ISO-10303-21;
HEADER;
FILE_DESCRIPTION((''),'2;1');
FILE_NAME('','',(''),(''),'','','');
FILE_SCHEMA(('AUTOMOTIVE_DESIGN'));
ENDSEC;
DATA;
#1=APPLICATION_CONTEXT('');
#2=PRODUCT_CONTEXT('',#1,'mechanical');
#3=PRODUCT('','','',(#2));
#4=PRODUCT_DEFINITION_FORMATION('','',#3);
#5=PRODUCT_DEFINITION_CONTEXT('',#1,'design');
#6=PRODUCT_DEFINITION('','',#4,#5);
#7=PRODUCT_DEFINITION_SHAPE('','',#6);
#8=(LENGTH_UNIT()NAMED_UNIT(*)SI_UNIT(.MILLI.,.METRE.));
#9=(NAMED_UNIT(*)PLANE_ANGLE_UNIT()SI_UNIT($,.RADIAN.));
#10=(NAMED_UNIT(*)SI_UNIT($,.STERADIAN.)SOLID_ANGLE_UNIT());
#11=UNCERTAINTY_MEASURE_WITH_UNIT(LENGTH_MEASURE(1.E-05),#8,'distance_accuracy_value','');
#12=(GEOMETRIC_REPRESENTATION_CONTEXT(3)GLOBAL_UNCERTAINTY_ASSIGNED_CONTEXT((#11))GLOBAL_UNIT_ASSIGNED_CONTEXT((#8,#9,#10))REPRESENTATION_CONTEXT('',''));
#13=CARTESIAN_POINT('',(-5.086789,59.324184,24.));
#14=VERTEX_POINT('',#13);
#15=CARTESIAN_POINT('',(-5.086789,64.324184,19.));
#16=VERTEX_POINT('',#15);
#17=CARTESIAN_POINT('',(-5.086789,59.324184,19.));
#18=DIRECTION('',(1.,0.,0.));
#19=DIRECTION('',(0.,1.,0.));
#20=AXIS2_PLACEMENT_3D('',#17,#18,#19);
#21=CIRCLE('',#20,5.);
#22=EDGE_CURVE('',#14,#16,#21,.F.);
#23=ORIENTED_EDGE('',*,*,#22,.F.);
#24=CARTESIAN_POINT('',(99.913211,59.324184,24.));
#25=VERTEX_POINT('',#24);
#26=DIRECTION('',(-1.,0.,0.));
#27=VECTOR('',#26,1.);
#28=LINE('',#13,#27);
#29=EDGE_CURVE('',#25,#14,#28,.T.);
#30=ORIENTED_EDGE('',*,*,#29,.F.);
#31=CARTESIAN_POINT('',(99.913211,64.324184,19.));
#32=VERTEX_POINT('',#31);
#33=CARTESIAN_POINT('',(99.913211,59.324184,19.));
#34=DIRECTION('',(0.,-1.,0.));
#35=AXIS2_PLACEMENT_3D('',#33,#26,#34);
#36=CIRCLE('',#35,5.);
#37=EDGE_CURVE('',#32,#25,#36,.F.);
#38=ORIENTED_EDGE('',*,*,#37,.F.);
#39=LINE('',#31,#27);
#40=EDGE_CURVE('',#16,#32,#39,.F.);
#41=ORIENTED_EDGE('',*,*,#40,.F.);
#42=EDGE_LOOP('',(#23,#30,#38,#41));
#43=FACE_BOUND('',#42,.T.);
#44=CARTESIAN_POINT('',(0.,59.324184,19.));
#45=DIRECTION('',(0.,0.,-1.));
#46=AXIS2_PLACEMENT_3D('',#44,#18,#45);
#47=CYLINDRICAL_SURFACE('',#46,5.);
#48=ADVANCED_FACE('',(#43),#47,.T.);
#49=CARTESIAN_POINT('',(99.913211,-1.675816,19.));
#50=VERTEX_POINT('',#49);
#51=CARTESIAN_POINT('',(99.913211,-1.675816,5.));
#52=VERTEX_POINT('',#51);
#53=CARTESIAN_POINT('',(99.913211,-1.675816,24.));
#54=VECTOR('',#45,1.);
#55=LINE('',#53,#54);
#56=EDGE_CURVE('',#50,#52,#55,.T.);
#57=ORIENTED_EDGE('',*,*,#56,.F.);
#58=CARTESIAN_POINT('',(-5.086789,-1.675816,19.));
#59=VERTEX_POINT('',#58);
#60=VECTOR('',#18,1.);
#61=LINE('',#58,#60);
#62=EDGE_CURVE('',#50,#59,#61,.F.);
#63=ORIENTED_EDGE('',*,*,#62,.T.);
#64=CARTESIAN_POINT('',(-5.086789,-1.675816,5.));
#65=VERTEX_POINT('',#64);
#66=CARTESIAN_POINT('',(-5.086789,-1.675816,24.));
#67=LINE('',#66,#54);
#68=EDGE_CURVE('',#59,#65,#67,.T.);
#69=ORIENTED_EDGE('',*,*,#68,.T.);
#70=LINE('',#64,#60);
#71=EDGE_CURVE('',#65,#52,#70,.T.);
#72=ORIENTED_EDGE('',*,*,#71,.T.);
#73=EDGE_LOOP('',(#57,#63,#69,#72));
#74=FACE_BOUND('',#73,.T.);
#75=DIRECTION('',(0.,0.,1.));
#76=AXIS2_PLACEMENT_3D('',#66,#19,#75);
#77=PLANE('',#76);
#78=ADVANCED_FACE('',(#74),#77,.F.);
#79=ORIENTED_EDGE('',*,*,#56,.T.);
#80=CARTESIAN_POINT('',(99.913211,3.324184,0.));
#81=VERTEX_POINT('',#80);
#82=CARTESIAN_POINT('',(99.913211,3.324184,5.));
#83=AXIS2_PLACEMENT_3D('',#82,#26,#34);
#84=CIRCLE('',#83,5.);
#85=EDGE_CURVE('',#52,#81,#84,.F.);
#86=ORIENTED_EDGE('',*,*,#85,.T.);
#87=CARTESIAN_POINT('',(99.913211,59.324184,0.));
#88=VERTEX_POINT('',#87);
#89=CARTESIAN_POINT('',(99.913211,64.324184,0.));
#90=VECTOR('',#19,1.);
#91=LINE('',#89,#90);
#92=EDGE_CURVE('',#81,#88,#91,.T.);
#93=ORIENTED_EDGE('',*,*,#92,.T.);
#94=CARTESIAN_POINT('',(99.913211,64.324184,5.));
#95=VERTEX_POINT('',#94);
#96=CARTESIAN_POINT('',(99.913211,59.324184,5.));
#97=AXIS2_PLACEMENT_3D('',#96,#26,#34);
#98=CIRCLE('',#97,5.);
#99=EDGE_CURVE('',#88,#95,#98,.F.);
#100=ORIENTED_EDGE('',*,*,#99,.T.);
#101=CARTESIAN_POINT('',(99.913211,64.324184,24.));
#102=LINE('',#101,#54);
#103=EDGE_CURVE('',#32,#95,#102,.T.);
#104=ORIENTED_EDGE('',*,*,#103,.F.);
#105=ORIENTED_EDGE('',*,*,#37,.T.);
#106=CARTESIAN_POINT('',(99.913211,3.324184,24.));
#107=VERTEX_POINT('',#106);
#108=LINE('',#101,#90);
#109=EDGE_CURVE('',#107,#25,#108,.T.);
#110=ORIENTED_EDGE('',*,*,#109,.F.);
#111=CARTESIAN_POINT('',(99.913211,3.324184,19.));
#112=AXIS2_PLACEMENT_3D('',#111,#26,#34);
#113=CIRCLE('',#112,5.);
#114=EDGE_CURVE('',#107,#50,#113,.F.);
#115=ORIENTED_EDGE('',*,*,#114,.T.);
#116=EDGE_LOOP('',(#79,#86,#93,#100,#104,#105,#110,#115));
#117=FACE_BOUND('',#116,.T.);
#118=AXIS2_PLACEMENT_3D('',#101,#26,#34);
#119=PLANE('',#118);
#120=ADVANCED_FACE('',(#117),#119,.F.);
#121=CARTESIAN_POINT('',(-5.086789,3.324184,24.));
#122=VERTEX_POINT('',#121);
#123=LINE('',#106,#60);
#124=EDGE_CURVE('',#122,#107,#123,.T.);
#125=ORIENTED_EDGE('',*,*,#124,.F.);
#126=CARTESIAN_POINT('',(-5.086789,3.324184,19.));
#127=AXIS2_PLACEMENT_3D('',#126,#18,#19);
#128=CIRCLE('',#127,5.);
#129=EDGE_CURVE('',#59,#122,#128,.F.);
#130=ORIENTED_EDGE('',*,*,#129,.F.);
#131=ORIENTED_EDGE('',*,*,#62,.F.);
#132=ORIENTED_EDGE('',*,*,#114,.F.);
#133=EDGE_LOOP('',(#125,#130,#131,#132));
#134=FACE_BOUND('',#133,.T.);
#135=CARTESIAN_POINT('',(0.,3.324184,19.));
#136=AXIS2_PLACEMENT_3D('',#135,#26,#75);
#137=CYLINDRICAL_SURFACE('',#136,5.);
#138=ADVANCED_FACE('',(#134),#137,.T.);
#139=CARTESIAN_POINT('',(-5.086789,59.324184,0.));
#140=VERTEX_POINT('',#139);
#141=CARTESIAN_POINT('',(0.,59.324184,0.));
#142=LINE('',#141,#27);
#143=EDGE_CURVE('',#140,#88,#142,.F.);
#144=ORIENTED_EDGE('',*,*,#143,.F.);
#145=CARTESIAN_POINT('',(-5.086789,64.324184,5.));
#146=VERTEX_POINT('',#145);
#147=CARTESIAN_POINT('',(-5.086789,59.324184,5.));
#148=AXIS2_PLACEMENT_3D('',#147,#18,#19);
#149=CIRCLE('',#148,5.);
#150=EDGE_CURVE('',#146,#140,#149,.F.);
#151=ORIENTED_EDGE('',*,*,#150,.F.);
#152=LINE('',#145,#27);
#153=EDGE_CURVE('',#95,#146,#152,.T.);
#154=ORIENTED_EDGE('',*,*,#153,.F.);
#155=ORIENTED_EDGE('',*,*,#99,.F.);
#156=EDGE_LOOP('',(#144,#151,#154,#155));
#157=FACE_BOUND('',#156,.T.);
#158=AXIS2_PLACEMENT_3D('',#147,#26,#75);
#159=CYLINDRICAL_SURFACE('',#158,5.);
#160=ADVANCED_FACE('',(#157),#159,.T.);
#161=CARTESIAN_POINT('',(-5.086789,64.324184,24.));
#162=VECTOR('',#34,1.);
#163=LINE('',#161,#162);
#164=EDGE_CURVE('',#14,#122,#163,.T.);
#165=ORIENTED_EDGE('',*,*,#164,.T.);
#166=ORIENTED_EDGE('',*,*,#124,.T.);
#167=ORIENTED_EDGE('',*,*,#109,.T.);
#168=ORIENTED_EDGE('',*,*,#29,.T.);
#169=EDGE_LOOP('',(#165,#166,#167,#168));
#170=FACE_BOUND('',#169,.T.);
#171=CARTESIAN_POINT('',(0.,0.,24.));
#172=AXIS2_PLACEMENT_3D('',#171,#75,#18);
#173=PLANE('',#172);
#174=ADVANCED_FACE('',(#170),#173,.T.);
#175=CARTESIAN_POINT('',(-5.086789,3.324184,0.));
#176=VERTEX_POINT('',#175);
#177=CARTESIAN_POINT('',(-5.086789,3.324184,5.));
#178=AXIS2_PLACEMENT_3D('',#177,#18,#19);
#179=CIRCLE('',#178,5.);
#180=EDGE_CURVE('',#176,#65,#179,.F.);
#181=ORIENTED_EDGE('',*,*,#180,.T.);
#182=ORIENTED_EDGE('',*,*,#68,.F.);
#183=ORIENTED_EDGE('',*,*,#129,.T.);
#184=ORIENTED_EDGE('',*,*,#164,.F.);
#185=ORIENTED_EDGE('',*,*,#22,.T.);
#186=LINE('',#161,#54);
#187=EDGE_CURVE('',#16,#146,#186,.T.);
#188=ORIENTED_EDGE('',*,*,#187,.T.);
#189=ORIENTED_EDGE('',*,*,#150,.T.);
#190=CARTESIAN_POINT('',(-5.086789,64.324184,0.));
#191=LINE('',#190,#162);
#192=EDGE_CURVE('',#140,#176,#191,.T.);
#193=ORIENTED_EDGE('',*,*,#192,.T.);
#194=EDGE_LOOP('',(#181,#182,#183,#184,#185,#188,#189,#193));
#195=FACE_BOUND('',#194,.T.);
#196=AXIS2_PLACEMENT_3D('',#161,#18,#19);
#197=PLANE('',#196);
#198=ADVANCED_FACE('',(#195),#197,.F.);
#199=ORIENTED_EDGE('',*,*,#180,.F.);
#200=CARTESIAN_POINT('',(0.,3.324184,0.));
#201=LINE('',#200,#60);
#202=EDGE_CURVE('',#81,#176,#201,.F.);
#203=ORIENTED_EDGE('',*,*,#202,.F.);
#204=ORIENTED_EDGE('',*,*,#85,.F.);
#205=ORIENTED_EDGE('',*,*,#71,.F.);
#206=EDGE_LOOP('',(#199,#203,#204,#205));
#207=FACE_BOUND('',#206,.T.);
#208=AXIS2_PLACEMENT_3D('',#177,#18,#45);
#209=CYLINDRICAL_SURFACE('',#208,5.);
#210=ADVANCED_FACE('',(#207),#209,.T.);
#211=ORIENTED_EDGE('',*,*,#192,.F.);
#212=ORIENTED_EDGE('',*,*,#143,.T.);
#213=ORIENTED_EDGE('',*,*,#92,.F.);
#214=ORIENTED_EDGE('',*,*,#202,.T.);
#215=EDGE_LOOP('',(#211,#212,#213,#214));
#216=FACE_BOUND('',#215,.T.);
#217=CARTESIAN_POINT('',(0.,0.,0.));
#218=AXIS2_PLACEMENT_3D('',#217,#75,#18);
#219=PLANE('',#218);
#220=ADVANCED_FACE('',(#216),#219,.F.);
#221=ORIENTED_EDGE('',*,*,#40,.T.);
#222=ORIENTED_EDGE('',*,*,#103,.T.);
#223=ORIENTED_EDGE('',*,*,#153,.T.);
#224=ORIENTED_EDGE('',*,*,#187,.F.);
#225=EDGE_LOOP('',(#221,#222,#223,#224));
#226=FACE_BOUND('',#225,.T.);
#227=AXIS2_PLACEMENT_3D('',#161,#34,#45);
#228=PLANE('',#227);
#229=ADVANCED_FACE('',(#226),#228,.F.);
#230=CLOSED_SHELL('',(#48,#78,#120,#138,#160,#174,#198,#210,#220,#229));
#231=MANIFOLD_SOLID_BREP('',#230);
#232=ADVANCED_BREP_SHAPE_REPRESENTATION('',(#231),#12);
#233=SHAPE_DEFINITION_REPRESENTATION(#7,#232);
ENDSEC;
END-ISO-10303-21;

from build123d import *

# Parameters (mm, degrees)
SKETCH1_W           = 105
SKETCH1_H           = 66
BOSS_EXTRUDE1_DEPTH = 24
FILLET1_R           = 5


with BuildPart() as part:
    # Sketch1 → Boss-Extrude1 (new body)
    with BuildSketch(Plane.XY):
        with Locations((47.413211427, 31.324183653)):
            Rectangle(SKETCH1_W, SKETCH1_H)
    extrude(amount=BOSS_EXTRUDE1_DEPTH)

    # Fillet1
    fillet1_edges = [part.edges().sort_by_distance(p)[0] for p in [
        (47.413211427, 64.324183653, 24),
        (47.413211427, 64.324183653, 0),
        (47.413211427, -1.675816347, 0),
        (47.413211427, -1.675816347, 24),
    ]]
    fillet(fillet1_edges, radius=FILLET1_R)


solid = part.part
